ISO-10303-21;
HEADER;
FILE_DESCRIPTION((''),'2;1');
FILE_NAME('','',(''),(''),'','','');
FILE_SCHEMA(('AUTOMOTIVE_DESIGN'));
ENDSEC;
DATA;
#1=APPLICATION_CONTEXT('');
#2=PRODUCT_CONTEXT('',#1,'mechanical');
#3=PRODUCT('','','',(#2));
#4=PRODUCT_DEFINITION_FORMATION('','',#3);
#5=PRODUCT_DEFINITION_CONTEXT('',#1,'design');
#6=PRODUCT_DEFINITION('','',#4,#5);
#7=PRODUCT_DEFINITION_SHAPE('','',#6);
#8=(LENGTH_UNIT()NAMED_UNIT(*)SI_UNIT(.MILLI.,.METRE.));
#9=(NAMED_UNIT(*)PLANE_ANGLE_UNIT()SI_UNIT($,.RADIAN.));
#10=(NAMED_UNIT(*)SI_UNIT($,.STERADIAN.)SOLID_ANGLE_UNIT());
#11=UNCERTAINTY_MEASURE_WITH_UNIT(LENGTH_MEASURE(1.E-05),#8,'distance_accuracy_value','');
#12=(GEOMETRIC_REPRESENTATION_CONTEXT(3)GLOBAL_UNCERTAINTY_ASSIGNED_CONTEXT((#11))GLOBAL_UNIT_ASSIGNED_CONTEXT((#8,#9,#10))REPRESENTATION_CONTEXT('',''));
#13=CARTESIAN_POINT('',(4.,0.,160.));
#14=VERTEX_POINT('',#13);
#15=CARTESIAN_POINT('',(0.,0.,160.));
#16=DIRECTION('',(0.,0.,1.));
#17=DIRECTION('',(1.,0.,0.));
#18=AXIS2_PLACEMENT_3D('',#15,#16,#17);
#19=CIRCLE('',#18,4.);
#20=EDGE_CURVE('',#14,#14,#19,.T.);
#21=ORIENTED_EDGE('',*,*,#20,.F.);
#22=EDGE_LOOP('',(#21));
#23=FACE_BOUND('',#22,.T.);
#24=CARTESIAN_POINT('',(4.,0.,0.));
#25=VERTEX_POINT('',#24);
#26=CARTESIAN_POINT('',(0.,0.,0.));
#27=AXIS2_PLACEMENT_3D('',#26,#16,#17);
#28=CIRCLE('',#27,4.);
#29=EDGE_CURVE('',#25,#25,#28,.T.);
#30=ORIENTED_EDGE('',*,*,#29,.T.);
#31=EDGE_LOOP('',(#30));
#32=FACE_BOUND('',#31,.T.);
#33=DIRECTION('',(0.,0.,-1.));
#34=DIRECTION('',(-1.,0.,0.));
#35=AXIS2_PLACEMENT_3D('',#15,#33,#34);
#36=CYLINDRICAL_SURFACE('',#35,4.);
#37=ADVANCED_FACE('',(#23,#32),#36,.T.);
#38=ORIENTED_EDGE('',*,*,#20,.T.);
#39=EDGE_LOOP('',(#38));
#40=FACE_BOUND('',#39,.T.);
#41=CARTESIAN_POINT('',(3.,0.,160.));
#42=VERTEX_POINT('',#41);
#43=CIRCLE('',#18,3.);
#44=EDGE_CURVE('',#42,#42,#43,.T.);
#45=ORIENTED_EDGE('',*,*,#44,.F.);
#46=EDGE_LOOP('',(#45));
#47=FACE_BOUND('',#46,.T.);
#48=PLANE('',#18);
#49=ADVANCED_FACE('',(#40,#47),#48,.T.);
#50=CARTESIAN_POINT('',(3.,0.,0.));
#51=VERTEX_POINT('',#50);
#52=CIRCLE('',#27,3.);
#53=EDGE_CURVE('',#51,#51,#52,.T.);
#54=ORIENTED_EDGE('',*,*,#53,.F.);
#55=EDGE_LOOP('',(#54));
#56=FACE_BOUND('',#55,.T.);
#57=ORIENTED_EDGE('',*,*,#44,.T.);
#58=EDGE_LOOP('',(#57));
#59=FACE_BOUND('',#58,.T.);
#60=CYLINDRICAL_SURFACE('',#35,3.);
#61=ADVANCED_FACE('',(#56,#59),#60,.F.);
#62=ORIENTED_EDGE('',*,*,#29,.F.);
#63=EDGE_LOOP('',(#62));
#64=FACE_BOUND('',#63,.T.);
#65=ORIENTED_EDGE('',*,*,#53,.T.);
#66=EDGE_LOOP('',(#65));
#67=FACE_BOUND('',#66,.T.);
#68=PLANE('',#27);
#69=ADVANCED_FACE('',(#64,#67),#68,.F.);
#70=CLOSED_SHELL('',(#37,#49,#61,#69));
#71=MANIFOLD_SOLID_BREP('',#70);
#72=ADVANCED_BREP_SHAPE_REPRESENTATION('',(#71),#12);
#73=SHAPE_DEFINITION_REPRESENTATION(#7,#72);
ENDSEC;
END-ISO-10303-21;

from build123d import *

# Parameters (mm, degrees)
ESQUISSE1_R        = 4
ESQUISSE1_R_2      = 3
BOSS_EXTRU_1_DEPTH = 160


with BuildPart() as part:
    # Esquisse1 → Boss.-Extru.1 (new body)
    with BuildSketch(Plane.XY):
        Circle(ESQUISSE1_R)
        Circle(ESQUISSE1_R_2, mode=Mode.SUBTRACT)
    extrude(amount=BOSS_EXTRU_1_DEPTH)


solid = part.part
